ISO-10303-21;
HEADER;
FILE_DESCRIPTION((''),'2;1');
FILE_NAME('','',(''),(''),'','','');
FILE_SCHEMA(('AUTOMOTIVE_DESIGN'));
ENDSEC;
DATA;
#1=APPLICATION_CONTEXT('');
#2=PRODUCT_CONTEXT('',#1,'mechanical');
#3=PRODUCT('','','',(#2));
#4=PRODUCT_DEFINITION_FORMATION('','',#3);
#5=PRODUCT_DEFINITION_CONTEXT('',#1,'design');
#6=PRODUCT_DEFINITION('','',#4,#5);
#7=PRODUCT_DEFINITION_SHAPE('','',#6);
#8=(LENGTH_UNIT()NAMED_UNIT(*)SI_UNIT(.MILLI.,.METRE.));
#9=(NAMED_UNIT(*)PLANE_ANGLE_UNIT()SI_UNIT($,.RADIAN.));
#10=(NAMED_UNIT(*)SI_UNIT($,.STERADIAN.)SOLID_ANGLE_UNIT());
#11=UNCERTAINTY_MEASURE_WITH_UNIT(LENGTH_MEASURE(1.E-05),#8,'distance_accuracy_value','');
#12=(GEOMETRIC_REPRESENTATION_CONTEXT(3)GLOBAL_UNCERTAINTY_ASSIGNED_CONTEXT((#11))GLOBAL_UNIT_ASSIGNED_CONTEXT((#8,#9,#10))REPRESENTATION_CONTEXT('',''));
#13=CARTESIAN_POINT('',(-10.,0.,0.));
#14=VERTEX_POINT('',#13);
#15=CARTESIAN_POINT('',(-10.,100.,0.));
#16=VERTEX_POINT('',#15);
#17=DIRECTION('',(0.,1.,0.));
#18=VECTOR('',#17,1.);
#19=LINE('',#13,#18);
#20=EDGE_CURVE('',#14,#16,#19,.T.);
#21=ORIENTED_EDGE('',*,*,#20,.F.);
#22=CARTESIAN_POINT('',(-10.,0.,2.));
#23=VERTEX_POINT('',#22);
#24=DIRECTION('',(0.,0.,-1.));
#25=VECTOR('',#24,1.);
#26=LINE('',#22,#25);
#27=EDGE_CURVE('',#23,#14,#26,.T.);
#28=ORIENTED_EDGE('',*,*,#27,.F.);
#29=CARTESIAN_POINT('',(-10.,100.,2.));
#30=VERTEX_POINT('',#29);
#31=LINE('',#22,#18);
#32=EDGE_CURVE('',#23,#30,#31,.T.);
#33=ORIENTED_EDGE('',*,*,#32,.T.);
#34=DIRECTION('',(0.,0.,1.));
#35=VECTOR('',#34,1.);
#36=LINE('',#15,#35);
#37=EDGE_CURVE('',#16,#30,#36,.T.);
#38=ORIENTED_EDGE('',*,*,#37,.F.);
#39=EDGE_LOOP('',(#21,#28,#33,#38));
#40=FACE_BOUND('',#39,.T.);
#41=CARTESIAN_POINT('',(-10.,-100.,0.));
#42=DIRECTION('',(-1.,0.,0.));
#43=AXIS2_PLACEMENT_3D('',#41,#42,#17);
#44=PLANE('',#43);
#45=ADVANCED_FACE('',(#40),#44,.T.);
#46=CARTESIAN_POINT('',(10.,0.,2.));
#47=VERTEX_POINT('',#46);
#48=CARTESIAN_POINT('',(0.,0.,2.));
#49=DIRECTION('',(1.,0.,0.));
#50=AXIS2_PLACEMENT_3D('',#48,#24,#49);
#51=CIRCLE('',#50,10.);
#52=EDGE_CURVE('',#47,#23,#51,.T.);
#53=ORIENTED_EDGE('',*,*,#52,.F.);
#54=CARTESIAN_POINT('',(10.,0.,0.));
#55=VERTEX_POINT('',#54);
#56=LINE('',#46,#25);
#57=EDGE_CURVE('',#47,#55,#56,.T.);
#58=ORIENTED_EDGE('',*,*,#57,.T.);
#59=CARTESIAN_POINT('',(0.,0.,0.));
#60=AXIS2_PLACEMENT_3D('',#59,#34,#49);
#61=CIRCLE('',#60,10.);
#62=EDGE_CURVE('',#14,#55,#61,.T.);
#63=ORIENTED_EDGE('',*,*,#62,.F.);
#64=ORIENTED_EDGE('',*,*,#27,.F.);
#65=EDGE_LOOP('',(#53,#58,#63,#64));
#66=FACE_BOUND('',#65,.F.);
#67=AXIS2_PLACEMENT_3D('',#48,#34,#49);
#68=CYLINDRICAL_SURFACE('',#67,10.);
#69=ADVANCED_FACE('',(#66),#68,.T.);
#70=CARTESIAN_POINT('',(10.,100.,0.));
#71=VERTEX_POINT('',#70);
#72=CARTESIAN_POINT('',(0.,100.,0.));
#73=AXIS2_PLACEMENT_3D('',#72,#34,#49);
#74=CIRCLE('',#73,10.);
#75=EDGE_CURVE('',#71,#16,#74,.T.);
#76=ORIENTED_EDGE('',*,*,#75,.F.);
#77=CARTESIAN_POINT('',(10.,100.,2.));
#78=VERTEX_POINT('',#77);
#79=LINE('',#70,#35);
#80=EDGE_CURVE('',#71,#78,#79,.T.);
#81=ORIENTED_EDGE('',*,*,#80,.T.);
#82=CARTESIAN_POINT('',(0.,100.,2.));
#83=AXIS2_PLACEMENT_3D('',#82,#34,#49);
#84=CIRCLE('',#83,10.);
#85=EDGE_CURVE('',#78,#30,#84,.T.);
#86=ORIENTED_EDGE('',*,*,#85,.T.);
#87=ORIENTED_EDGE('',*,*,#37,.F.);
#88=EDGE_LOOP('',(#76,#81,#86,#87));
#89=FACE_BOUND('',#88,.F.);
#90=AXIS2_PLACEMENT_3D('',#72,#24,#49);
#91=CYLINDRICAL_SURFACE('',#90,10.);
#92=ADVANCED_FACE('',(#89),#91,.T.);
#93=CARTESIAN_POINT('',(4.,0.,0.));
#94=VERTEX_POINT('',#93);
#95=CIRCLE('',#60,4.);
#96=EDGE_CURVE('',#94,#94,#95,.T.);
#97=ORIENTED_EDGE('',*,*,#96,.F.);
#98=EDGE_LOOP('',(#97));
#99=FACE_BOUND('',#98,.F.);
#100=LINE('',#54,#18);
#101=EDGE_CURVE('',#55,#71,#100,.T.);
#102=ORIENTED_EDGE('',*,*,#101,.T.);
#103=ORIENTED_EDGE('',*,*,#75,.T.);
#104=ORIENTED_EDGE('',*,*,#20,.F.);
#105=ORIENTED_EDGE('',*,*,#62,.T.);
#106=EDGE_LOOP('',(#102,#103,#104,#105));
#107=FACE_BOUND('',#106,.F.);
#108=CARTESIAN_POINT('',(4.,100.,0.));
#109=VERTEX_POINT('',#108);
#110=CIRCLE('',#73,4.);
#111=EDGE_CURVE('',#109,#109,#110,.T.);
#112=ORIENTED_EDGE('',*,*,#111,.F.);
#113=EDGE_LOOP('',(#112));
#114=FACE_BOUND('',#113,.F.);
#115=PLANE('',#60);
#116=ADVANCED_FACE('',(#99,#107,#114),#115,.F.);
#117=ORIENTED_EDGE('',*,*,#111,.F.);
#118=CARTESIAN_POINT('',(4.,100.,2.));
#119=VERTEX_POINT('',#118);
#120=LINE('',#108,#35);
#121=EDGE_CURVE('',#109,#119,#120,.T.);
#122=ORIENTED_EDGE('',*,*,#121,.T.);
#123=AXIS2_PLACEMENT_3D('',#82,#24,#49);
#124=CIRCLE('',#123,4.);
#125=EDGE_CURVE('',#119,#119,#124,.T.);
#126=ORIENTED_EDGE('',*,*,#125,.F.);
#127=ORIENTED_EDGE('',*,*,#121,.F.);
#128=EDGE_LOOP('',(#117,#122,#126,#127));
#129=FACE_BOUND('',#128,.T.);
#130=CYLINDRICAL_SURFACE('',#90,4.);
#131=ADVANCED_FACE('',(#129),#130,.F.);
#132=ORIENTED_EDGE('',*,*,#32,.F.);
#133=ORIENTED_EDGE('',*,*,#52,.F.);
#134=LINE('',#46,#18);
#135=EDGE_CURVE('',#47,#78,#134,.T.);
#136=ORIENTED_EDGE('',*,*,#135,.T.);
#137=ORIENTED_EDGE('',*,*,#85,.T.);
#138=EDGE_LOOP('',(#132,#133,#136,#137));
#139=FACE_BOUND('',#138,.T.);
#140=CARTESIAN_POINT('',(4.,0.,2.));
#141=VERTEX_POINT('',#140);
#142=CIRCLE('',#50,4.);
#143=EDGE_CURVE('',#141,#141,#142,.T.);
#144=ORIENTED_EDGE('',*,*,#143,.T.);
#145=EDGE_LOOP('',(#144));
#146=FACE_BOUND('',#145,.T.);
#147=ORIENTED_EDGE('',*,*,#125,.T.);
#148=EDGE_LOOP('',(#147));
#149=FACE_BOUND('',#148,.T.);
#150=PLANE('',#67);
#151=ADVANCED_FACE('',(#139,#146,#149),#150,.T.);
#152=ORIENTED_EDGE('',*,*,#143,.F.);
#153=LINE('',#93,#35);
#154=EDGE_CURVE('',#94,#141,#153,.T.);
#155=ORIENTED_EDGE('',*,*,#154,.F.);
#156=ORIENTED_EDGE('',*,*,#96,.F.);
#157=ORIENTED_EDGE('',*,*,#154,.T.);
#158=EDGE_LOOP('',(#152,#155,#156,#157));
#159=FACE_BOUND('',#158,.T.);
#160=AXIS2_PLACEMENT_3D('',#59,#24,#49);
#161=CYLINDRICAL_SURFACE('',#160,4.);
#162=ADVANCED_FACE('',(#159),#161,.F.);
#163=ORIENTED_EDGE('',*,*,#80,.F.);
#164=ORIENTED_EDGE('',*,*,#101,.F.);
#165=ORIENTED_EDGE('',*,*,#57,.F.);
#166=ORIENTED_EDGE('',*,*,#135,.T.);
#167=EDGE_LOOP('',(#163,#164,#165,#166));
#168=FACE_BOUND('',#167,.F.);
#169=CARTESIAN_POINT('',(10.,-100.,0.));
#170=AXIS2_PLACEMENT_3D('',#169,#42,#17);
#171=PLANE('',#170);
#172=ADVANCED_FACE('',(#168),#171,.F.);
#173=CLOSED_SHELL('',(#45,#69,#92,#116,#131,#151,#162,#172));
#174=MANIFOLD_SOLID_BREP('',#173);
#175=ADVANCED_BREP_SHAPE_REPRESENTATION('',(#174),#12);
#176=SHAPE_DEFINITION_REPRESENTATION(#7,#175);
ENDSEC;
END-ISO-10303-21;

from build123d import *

# Parameters (mm, degrees)
F0_W     = 20
F0_H     = 200
F1_DEPTH = 2
F2_R     = 4
F3_DEPTH = 12.5
F4_R     = 6
F4_R_2   = 4
F5_DEPTH = 2
F8_DEPTH = 25


with BuildPart() as f1:
    # F0 (on Top) → F1 (new body)
    with BuildSketch(Plane.XY):
        Rectangle(F0_W, F0_H)
        with BuildLine():
            Line((-10, 100), (10, 100))
            ThreePointArc((10, 100), (0, 110), (-10, 100))
        make_face()
        with BuildLine():
            ThreePointArc((-10, -100), (0, -110), (10, -100))
            Line((10, -100), (-10, -100))
        make_face()
    extrude(amount=F1_DEPTH)

    # F2 (on Top) → F3 (cut, symmetric)
    with BuildSketch(Plane.XY):
        with Locations((0, 100)):
            Circle(F2_R)
        Circle(F2_R)
        with Locations((0, -100)):
            Circle(F2_R)
    extrude(amount=F3_DEPTH, both=True, mode=Mode.SUBTRACT)

    # F7 (on face) → F8 (cut)
    with BuildSketch(Plane.XY.offset(2)):
        with BuildLine():
            ThreePointArc((10, 0), (0, -10), (-10, 0))
            Line((-10, 0), (-10, -100))
            ThreePointArc((-10, -100), (0, -110), (10, -100))
            Line((10, -100), (10, 0))
        make_face()
    extrude(amount=-F8_DEPTH, mode=Mode.SUBTRACT)


with BuildPart() as f5:
    # F4 (on face) → F5 (new body)
    with BuildSketch(Plane.XY.offset(2)):
        Circle(F4_R)
        Circle(F4_R_2, mode=Mode.SUBTRACT)
    extrude(amount=F5_DEPTH)


solid = f1.part
